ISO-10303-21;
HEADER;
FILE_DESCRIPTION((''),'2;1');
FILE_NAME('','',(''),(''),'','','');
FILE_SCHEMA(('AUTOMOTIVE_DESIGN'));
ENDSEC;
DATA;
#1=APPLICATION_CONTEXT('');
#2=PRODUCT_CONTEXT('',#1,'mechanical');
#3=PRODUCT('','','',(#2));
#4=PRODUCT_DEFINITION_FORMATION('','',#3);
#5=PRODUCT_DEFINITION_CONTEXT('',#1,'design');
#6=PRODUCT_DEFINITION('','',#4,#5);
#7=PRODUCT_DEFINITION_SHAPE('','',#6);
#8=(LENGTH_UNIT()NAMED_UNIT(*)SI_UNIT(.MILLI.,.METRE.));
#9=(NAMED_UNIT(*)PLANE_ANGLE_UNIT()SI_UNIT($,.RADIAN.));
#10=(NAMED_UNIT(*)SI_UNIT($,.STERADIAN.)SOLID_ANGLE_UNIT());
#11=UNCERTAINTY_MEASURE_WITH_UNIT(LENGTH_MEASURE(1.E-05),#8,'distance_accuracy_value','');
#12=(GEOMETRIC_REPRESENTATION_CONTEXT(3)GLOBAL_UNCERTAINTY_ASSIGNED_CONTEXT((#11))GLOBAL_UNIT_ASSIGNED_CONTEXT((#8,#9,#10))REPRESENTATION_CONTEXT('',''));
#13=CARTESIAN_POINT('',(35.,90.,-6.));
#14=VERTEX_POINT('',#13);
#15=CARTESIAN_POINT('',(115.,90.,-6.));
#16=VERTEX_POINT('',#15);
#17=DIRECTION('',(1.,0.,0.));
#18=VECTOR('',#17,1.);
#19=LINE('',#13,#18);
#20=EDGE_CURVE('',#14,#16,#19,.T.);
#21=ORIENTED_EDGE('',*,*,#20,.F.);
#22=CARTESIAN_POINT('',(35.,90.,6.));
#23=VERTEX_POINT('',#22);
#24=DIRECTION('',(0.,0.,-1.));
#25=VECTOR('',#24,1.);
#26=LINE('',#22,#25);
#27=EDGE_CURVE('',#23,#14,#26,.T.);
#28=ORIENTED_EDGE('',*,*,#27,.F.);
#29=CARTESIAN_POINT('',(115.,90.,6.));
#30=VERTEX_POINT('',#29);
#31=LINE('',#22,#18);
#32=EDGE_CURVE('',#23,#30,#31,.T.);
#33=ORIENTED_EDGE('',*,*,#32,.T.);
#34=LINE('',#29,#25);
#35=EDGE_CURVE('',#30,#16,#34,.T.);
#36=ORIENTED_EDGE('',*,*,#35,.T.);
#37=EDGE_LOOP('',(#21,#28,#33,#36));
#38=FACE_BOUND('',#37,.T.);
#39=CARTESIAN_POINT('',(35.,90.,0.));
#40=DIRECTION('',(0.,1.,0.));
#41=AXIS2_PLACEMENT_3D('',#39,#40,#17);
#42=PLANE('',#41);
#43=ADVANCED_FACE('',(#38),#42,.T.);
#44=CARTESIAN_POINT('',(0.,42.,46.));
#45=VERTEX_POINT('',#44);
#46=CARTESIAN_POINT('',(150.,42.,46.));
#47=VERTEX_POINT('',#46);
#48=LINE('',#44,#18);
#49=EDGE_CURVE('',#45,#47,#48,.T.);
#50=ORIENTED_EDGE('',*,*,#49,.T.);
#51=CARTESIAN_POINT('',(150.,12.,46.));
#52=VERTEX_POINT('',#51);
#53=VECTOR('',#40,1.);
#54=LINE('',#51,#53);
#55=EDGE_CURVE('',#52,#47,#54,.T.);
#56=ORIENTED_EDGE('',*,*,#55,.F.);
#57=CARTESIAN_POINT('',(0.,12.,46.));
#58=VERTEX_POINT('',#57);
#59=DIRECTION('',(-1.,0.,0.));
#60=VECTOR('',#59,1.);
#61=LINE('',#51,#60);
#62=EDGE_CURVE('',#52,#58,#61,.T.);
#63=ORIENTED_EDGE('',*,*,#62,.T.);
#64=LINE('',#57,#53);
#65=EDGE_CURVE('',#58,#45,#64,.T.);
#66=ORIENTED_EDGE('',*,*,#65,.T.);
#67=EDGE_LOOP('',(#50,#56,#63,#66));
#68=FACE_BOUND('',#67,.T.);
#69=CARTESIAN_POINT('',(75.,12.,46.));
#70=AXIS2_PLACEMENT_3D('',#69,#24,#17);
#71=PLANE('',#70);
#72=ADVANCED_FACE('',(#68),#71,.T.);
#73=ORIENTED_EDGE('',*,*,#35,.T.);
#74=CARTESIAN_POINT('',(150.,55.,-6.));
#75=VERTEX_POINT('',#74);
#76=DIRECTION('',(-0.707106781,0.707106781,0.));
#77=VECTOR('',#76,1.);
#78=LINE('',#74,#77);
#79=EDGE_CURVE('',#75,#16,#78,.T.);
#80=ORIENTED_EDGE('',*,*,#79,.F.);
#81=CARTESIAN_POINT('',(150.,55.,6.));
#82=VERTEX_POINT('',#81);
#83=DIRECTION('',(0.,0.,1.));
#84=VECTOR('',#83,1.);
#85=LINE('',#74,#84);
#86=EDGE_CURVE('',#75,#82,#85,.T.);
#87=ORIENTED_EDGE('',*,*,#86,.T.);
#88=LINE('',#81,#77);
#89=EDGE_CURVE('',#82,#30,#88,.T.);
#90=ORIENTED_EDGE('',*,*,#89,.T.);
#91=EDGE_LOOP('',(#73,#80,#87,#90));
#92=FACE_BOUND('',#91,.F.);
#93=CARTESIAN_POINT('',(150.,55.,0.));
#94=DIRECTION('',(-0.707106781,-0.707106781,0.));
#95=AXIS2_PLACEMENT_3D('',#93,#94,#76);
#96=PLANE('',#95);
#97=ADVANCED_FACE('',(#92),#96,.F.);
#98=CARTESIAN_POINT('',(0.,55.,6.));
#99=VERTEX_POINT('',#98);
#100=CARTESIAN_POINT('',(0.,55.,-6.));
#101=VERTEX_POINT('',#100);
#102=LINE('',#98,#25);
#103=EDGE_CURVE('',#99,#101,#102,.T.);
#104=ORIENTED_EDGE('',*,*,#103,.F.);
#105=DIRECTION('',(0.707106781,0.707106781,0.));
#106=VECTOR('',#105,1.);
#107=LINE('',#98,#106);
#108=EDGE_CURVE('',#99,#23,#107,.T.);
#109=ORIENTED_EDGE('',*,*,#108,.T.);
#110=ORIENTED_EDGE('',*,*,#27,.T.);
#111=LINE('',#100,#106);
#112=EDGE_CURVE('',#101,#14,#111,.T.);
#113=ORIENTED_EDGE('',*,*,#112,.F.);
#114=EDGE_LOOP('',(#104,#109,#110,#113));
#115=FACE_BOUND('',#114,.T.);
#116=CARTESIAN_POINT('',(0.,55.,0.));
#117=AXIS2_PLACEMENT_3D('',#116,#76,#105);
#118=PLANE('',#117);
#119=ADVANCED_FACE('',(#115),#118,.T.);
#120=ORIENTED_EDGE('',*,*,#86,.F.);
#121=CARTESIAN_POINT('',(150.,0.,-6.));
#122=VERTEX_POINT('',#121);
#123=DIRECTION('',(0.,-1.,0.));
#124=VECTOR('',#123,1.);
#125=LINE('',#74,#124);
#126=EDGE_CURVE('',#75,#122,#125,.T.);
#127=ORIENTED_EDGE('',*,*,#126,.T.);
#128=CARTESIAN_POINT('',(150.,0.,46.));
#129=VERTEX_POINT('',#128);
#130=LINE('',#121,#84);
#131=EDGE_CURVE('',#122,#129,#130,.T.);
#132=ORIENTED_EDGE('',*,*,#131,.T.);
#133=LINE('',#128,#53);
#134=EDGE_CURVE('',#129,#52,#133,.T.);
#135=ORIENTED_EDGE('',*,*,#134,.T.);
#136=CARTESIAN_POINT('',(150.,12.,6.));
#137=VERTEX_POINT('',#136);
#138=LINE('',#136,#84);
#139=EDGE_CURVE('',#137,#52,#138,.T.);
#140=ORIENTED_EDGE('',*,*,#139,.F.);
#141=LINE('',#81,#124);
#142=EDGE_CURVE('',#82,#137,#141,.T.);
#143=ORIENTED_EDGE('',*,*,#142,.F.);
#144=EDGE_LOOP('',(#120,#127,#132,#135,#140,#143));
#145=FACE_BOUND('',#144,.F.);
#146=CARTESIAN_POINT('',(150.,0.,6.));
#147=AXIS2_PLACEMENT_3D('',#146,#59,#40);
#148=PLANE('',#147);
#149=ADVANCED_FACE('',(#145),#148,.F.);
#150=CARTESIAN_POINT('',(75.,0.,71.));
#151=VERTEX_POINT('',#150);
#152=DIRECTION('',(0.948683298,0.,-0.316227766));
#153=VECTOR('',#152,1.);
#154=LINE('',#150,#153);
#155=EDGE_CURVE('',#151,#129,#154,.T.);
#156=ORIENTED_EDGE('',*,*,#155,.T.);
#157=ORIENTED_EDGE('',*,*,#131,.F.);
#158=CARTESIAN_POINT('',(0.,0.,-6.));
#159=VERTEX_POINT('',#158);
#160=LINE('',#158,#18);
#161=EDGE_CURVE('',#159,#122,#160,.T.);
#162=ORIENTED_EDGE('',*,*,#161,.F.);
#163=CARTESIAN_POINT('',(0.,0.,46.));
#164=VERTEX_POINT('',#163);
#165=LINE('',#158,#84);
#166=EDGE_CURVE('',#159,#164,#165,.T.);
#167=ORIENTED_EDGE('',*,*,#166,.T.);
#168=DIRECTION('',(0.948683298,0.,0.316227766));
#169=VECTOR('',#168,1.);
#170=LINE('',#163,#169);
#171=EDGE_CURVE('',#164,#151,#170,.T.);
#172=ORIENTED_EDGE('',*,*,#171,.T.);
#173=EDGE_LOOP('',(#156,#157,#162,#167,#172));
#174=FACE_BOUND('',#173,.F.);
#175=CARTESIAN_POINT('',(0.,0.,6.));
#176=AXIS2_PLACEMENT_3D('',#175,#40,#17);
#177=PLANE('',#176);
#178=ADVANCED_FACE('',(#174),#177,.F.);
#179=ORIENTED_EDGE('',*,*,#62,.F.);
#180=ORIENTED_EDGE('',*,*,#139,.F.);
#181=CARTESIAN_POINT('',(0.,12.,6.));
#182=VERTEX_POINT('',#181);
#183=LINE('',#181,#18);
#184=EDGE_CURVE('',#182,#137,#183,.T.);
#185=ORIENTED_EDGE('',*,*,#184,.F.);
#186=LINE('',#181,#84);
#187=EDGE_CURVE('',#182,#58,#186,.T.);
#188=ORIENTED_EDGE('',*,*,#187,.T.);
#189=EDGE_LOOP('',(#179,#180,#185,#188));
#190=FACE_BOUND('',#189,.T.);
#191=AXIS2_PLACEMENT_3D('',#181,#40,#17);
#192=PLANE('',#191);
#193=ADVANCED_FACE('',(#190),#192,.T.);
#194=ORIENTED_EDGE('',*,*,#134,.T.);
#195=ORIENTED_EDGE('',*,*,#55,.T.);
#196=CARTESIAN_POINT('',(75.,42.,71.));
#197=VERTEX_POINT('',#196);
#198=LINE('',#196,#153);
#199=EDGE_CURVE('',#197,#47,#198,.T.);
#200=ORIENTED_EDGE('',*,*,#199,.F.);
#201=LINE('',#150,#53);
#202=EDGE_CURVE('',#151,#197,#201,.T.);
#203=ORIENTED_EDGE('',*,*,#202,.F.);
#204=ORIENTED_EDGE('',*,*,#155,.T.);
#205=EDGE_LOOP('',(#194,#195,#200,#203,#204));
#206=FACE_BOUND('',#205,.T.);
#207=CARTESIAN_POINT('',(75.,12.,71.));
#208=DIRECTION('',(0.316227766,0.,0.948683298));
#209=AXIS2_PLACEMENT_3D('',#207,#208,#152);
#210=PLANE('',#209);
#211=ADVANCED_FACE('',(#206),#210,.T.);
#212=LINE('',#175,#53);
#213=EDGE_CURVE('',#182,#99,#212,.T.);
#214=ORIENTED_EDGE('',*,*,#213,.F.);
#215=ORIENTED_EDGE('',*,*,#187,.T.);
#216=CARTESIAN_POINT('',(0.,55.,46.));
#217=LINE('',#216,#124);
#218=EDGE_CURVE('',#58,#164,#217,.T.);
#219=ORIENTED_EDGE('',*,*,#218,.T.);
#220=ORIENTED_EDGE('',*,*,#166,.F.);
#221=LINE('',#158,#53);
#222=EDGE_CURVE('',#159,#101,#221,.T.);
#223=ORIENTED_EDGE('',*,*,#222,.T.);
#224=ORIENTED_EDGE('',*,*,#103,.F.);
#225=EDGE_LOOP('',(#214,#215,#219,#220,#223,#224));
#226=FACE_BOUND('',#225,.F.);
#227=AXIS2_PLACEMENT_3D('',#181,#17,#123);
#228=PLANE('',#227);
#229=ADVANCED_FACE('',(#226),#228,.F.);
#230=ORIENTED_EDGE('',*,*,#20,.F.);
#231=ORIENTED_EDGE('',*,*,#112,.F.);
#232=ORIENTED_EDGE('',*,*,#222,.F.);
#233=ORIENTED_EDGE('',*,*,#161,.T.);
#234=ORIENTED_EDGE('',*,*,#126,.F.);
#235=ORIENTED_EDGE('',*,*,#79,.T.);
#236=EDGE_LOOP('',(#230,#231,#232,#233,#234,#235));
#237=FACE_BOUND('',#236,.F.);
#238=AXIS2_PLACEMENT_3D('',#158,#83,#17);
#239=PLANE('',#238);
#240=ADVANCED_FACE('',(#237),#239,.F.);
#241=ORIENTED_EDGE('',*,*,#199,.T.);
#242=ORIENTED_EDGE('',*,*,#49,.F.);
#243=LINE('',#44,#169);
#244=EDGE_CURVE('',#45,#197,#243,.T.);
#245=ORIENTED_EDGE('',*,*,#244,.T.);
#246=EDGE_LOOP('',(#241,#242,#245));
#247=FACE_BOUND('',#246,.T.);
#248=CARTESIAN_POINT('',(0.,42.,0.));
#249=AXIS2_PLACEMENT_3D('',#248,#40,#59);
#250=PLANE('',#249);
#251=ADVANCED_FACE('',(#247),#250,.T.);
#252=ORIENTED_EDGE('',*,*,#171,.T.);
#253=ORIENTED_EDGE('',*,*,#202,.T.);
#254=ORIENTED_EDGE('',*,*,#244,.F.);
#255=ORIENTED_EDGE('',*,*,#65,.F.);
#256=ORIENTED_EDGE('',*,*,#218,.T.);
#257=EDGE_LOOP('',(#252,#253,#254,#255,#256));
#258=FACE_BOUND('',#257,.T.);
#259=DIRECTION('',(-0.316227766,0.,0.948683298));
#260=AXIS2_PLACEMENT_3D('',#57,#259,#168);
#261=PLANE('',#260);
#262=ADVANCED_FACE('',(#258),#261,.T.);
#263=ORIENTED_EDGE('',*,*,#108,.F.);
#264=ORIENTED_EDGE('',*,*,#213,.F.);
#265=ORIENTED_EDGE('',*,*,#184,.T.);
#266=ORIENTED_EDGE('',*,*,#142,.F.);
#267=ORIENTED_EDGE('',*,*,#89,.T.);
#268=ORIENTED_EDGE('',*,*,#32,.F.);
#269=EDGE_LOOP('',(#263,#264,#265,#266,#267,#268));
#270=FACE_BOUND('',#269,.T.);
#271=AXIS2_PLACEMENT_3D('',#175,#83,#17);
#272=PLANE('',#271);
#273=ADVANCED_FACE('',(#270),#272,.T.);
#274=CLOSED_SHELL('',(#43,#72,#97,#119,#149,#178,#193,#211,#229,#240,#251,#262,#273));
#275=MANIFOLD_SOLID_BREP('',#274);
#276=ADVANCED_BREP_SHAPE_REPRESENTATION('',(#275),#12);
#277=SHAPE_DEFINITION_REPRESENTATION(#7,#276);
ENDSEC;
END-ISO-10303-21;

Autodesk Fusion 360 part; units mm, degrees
sketch "Sketch1" plane through (0, 0, 0) normal (0, 0, 1) x (1, 0, 0)
  line L0 (0, 0) -> (150, 0)
  line L1 (0, 0) -> (0, 55)
  line L2 (35, 90) -> (115, 90)
  line L3 (150, 55) -> (150, 0)
  line L4 (0, 55) -> (35, 90)
  line L5 (150, 55) -> (115, 90)
  point P0 (0, 90)
  point P1 (150, 90)
  dimension "d1" = 150
  dimension "d2" = 90
  dimension "d3" = 35
  dimension "d4" = 35
  dimension "d5" = 35
  dimension "d6" = 35
extrude "Extrude1" add sketch "Sketch1" along normal mid plane 12
sketch "Sketch2" plane through (0, 0, 6) normal (0, 0, 1) x (1, 0, 0)
  line L0 (0, 0) -> (150, 0)
  line L1 (150, 0) -> (150, 55)
  line L2 (150, 55) -> (115, 90)
  line L3 (115, 90) -> (35, 90)
  line L4 (35, 90) -> (0, 55)
  line L5 (0, 55) -> (0, 0)
  line L6 (0, 12) -> (150, 12)
  line L7 (150, 0) -> (0, 0)
  dimension "d9" = 12
extrude "Extrude2" add sketch "Sketch2" along normal blind 40 contours L0 L1 L5 L6 L7
sketch "Sketch3" plane through (0, 12, 0) normal (0, 1, 0) x (-1, 0, 0)
  line L0 (-150, 6) -> (0, 6)
  line L1 (0, 6) -> (0, 46)
  line L2 (0, 46) -> (-150, 46)
  line L3 (-150, 46) -> (-150, 6)
  line L4 (0, 46) -> (-75, 71)
  line L5 (-75, 71) -> (-150, 46)
  line L6 (-75, 11.1392) -> (-75, 80.8608)
  dimension "d12" = 25
  dimension "d13" = 25
extrude "Extrude3" add sketch "Sketch3" against normal blind 12 contours L2 L5 L6 | L2 L4 L6
sketch "Sketch4" plane through (0, 0, 6) normal (0, 0, 1) x (1, 0, 0)
  line L0 (0, 12) -> (150, 12)
  line L1 (150, 12) -> (150, 55)
  line L2 (150, 55) -> (115, 90)
  line L3 (115, 90) -> (35, 90)
  line L4 (35, 90) -> (0, 55)
  line L5 (0, 55) -> (0, 12)
sketch "Sketch5" plane through (0, 0, 0) normal (1, 0, 0) x (0, 0, -1)
extrude "Extrude4" add sketch "Sketch3" along normal blind 30 contours L2 L5 L6 | L2 L4 L6
